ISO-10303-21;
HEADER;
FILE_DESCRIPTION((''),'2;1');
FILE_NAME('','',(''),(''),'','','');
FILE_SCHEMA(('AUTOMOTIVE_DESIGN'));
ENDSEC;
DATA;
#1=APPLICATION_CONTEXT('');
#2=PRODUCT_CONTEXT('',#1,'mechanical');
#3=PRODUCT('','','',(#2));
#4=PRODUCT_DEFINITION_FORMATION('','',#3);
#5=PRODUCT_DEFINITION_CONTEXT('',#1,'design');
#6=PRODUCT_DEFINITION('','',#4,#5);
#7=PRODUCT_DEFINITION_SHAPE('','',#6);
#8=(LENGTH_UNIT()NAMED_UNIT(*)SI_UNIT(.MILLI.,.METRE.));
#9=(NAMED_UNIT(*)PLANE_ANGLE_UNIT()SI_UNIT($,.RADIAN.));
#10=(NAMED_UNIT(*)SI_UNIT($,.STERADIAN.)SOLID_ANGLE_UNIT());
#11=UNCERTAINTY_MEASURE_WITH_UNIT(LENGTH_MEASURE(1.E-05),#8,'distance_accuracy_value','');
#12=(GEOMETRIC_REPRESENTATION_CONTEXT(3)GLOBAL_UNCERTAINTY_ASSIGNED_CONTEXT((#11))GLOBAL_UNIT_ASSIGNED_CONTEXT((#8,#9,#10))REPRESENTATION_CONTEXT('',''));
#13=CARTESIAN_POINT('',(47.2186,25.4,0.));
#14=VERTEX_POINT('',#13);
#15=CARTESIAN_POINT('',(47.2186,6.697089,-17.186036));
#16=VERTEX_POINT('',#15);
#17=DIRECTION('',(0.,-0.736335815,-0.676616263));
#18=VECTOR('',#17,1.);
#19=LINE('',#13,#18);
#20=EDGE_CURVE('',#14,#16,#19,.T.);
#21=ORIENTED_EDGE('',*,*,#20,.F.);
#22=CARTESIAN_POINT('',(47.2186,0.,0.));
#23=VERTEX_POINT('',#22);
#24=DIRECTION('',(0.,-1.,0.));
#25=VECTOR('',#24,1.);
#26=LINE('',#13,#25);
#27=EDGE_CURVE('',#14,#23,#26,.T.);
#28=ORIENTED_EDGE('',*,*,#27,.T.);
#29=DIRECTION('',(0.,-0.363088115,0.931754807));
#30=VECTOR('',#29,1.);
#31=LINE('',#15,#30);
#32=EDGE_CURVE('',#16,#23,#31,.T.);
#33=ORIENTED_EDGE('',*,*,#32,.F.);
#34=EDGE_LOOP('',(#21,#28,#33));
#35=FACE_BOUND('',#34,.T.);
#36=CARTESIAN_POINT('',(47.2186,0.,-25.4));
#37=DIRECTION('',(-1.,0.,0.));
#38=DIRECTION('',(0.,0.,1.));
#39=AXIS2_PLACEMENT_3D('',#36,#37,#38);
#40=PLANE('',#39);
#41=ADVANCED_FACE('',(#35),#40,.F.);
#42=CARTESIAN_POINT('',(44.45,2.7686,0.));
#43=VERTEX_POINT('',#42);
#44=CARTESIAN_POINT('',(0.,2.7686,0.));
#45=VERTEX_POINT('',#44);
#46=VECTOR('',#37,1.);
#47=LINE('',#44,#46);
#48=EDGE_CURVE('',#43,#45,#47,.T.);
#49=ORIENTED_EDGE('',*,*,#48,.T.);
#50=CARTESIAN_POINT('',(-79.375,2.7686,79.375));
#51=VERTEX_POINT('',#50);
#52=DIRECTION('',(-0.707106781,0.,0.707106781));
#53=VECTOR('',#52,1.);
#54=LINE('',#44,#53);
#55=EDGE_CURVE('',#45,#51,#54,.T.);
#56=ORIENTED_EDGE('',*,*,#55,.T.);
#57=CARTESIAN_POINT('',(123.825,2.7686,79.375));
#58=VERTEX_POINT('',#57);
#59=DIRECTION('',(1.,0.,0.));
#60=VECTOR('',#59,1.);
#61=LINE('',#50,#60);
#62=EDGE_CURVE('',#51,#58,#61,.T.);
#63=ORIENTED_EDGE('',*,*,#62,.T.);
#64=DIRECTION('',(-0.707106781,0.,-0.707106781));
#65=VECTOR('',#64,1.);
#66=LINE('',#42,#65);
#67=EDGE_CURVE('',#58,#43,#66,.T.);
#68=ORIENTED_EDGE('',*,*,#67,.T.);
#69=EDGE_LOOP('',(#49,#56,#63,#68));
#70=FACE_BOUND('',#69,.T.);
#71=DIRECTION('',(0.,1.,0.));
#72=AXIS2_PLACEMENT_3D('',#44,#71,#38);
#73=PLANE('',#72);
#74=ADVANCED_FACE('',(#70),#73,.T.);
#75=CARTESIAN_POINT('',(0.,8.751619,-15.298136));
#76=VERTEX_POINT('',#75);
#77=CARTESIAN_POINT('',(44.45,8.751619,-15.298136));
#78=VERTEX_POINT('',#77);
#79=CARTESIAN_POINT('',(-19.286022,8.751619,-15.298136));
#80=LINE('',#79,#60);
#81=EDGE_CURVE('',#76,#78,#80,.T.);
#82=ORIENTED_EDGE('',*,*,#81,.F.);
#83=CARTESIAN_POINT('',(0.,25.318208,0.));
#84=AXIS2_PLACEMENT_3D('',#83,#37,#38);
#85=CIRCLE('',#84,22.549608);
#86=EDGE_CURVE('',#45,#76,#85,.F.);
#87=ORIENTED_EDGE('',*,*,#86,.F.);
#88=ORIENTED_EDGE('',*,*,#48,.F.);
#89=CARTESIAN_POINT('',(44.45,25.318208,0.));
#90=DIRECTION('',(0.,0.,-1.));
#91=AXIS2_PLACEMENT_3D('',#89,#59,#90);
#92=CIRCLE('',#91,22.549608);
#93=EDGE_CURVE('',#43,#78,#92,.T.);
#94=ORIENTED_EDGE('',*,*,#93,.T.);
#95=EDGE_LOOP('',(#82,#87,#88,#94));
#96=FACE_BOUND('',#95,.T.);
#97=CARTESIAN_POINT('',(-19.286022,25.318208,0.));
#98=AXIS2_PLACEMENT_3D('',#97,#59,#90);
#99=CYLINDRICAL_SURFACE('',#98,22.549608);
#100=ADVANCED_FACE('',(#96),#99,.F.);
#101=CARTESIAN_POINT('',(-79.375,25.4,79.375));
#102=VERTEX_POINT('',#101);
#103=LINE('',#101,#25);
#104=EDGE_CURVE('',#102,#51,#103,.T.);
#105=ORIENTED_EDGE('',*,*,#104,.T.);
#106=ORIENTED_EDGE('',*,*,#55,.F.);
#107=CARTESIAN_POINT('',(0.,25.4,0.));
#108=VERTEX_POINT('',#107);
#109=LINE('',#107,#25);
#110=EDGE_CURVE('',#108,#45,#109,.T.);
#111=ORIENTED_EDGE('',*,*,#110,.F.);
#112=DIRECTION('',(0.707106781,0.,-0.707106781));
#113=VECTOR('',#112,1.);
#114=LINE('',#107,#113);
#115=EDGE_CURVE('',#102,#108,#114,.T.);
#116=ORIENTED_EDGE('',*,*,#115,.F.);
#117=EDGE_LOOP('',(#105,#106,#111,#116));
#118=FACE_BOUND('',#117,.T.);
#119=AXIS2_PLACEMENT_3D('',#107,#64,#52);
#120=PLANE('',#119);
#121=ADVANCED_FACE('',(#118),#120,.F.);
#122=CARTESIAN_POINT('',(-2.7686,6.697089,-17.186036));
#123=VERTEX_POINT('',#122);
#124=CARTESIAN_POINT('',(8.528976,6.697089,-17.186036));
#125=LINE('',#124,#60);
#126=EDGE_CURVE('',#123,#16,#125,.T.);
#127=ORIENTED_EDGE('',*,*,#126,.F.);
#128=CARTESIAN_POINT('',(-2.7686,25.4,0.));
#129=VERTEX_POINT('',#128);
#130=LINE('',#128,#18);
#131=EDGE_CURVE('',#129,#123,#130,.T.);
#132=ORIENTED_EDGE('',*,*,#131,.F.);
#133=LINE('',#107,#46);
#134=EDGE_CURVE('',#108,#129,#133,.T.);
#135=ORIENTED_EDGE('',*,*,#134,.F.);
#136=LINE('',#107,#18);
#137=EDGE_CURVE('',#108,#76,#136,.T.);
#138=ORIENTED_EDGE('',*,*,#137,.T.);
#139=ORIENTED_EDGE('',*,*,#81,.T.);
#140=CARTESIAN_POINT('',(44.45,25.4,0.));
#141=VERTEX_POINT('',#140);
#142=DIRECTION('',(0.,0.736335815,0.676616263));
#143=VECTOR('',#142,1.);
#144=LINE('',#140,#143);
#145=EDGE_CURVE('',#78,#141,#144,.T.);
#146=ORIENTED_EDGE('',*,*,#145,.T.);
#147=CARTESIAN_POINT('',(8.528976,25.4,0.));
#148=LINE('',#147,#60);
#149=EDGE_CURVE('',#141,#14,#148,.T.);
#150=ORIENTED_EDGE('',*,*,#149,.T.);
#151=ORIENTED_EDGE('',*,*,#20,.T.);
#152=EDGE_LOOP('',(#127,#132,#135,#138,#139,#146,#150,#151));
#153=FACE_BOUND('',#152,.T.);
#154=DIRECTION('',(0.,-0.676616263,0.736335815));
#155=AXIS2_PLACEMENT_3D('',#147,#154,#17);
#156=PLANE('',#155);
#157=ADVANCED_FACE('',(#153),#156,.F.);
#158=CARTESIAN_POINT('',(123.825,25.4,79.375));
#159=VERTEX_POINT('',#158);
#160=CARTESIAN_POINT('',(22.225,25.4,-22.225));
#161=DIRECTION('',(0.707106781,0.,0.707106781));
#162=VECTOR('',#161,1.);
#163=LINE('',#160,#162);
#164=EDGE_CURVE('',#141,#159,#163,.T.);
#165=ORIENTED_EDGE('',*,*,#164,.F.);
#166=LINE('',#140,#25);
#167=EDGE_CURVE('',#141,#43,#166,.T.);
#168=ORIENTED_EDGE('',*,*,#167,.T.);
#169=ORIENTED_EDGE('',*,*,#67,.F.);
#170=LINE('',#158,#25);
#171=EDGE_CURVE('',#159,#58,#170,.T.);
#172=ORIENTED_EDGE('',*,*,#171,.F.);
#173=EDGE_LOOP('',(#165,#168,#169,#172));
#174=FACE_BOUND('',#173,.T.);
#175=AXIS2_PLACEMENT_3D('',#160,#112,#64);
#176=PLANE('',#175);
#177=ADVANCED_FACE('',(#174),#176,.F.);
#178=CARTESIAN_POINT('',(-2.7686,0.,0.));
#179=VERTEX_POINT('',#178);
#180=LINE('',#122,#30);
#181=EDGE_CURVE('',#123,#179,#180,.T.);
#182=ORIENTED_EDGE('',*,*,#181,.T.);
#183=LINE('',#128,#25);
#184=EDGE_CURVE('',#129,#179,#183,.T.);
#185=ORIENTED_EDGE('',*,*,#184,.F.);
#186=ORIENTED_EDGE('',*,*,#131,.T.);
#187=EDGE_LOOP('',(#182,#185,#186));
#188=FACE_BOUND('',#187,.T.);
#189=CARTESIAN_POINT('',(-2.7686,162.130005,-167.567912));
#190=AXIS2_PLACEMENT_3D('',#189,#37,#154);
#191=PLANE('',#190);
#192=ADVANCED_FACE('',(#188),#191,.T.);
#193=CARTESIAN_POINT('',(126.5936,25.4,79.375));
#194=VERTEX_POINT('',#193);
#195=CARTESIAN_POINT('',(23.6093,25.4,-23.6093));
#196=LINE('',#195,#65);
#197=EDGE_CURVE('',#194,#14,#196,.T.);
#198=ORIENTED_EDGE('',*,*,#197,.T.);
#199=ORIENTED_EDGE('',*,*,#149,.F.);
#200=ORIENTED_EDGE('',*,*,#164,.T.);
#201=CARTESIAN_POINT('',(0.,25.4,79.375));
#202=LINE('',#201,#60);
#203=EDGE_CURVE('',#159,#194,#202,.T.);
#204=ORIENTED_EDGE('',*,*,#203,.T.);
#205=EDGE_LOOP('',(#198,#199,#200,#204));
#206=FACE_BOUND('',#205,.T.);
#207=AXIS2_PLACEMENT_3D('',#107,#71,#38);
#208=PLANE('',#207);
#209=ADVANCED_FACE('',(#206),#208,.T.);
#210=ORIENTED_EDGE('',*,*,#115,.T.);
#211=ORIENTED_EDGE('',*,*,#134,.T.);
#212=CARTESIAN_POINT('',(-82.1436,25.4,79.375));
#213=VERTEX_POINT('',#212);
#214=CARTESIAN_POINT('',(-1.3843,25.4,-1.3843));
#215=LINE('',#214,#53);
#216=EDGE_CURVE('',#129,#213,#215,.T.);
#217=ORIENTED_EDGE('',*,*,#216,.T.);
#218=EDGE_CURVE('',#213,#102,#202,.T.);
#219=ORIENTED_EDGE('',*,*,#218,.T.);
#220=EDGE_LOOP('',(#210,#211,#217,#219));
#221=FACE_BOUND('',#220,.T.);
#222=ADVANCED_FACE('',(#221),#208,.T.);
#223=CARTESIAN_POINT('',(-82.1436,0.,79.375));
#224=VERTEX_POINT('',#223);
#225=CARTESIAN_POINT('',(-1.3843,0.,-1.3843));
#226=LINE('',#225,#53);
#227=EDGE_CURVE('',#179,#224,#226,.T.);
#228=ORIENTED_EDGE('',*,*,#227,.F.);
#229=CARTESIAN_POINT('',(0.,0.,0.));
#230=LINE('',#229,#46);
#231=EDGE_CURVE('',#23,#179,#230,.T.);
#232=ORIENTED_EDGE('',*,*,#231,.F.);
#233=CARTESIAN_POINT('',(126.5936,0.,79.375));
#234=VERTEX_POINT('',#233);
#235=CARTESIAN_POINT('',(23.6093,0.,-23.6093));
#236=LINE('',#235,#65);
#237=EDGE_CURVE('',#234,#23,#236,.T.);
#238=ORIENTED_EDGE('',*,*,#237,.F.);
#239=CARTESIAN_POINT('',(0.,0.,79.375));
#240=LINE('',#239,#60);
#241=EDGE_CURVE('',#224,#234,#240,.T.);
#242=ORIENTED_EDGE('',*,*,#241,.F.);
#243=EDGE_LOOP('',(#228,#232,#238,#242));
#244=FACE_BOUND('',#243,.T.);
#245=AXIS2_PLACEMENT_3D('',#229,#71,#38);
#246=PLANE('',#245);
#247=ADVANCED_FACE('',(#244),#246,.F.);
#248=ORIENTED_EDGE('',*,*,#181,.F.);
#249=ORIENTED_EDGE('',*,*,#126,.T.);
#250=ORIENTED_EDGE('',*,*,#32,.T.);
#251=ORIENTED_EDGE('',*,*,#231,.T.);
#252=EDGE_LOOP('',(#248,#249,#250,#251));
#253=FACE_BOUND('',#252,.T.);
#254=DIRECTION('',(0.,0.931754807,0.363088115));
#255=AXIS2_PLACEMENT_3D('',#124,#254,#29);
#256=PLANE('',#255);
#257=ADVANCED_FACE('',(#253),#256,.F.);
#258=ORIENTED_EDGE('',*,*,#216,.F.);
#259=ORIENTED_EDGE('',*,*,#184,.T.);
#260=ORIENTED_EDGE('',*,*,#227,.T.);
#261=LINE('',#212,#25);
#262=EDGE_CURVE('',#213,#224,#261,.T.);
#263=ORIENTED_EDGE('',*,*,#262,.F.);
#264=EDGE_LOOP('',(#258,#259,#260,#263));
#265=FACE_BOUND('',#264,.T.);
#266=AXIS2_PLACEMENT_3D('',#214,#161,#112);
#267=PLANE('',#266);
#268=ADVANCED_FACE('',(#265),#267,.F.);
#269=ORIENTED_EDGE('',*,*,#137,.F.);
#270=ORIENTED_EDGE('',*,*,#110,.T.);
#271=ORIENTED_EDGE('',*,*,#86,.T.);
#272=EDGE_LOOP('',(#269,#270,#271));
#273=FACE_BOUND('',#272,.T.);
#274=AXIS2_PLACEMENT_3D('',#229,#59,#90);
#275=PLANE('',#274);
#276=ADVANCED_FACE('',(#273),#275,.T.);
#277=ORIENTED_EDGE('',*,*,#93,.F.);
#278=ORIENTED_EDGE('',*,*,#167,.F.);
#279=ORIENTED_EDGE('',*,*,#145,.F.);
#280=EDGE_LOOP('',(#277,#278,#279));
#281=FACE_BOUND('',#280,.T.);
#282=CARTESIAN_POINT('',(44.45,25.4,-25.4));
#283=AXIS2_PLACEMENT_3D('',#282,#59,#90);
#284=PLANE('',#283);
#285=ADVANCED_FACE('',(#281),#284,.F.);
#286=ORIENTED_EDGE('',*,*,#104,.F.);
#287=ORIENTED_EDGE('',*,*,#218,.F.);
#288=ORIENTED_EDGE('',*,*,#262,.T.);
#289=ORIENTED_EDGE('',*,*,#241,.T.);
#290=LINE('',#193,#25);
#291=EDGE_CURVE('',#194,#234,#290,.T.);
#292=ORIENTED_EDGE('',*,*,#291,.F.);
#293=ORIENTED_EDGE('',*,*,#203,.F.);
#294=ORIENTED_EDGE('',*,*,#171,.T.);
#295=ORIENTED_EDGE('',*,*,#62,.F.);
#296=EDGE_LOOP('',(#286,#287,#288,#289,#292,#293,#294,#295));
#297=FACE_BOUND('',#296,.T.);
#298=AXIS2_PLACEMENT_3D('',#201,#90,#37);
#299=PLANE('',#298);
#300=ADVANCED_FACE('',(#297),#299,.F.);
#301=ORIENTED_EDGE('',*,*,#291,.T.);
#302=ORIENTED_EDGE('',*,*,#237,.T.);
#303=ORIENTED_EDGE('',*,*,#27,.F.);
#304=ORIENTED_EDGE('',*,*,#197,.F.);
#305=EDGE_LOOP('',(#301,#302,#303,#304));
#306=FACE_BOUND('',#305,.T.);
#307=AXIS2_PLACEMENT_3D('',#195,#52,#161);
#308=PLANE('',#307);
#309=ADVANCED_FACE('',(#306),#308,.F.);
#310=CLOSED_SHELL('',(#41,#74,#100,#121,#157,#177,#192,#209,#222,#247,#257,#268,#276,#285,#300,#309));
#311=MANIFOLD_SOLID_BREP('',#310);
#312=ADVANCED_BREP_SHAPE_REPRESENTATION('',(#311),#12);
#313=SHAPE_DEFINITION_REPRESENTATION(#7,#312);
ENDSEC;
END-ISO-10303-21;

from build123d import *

# Parameters (mm, degrees)
BOSS_EXTRUDE1_DEPTH   = 2.7686
BOSS_EXTRUDE2_START   = -2.7686
BOSS_EXTRUDE2_DEPTH   = 25.4
BOSS_EXTRUDE2_2_DEPTH = 25.4
SKETCH4_W             = 2.7686
SKETCH4_H             = 25.4
BOSS_EXTRUDE3_DEPTH   = 25.4
CUT_EXTRUDE1_DEPTH    = 2.7686
BOSS_EXTRUDE6_DEPTH   = 44.45
BOSS_EXTRUDE7_DEPTH   = 2.7686


with BuildPart() as part:
    # Sketch1 → Boss-Extrude1 (new body)
    with BuildSketch(Plane(origin=(0, 0, 0), x_dir=(1, 0, 0), z_dir=(0, 1, 0))):
        Polygon((0, 0), (44.45, 0), (123.825, -79.375), (-79.375, -79.375), align=None)
    extrude(amount=BOSS_EXTRUDE1_DEPTH)



with BuildPart() as body_2:
    # Sketch2 → Boss-Extrude2 (new body)
    with BuildSketch(Plane(origin=(0, 2.7686, 0), x_dir=(1, 0, 0), z_dir=(0, 1, 0)).offset(BOSS_EXTRUDE2_START)):
        Polygon((0, 0), (-79.375, -79.375), (-82.1436, -79.375), (-2.7686, 0), align=None)
    extrude(amount=BOSS_EXTRUDE2_DEPTH)


with BuildPart() as body_3:
    # Sketch2 → Boss-Extrude2 2 (new body)
    with BuildSketch(Plane(origin=(0, 2.7686, 0), x_dir=(1, 0, 0), z_dir=(0, 1, 0)).offset(BOSS_EXTRUDE2_START)):
        Polygon((44.45, 0), (47.2186, 0), (126.5936, -79.375), (123.825, -79.375), align=None)
    extrude(amount=BOSS_EXTRUDE2_2_DEPTH)


with BuildPart() as part_1:
    add(part.part)

    add(body_3.part)  # Boss-Extrude3 merges body 3
    # Sketch4 → Boss-Extrude3 (add)
    with BuildSketch(Plane(origin=(0, 0, 0), x_dir=(-1, 0, 0), z_dir=(0, 0, -1))):
        with Locations((-45.8343, 12.7)):
            Rectangle(SKETCH4_W, SKETCH4_H)
    extrude(amount=BOSS_EXTRUDE3_DEPTH)

    # Sketch5 → Cut-Extrude1 (cut)
    with BuildSketch(Plane(origin=(47.2186, 0, 0), x_dir=(0, 0, -1), z_dir=(1, 0, 0))):
        Polygon((17.186035514, 6.697089394), (0, 0), (25.4, 0), (25.4, 14.244871038), (25.4, 25.4), (0, 25.4), align=None)
    extrude(amount=-CUT_EXTRUDE1_DEPTH, mode=Mode.SUBTRACT)


    add(body_2.part)  # Boss-Extrude6 merges body 2
    # Sketch10 → Boss-Extrude6 (add)
    with BuildSketch(Plane.ZY.offset(-44.45)):
        with BuildLine():
            Line((-17.186035514, 6.697089394), (-15.298135688, 8.75161917))
            ThreePointArc((-15.298135688, 8.75161917), (-8.213243481, 4.317554379), (0, 2.7686))
            Line((0, 2.7686), (0, 0))
            Line((0, 0), (-17.186035514, 6.697089394))
        make_face()
    extrude(amount=BOSS_EXTRUDE6_DEPTH)

    # Sketch11 → Boss-Extrude7 (add)
    with BuildSketch(Plane.ZY):
        Polygon((0, 0), (0, 25.4), (-17.186035514, 6.697089394), align=None)
    extrude(amount=BOSS_EXTRUDE7_DEPTH)


solid = part_1.part
